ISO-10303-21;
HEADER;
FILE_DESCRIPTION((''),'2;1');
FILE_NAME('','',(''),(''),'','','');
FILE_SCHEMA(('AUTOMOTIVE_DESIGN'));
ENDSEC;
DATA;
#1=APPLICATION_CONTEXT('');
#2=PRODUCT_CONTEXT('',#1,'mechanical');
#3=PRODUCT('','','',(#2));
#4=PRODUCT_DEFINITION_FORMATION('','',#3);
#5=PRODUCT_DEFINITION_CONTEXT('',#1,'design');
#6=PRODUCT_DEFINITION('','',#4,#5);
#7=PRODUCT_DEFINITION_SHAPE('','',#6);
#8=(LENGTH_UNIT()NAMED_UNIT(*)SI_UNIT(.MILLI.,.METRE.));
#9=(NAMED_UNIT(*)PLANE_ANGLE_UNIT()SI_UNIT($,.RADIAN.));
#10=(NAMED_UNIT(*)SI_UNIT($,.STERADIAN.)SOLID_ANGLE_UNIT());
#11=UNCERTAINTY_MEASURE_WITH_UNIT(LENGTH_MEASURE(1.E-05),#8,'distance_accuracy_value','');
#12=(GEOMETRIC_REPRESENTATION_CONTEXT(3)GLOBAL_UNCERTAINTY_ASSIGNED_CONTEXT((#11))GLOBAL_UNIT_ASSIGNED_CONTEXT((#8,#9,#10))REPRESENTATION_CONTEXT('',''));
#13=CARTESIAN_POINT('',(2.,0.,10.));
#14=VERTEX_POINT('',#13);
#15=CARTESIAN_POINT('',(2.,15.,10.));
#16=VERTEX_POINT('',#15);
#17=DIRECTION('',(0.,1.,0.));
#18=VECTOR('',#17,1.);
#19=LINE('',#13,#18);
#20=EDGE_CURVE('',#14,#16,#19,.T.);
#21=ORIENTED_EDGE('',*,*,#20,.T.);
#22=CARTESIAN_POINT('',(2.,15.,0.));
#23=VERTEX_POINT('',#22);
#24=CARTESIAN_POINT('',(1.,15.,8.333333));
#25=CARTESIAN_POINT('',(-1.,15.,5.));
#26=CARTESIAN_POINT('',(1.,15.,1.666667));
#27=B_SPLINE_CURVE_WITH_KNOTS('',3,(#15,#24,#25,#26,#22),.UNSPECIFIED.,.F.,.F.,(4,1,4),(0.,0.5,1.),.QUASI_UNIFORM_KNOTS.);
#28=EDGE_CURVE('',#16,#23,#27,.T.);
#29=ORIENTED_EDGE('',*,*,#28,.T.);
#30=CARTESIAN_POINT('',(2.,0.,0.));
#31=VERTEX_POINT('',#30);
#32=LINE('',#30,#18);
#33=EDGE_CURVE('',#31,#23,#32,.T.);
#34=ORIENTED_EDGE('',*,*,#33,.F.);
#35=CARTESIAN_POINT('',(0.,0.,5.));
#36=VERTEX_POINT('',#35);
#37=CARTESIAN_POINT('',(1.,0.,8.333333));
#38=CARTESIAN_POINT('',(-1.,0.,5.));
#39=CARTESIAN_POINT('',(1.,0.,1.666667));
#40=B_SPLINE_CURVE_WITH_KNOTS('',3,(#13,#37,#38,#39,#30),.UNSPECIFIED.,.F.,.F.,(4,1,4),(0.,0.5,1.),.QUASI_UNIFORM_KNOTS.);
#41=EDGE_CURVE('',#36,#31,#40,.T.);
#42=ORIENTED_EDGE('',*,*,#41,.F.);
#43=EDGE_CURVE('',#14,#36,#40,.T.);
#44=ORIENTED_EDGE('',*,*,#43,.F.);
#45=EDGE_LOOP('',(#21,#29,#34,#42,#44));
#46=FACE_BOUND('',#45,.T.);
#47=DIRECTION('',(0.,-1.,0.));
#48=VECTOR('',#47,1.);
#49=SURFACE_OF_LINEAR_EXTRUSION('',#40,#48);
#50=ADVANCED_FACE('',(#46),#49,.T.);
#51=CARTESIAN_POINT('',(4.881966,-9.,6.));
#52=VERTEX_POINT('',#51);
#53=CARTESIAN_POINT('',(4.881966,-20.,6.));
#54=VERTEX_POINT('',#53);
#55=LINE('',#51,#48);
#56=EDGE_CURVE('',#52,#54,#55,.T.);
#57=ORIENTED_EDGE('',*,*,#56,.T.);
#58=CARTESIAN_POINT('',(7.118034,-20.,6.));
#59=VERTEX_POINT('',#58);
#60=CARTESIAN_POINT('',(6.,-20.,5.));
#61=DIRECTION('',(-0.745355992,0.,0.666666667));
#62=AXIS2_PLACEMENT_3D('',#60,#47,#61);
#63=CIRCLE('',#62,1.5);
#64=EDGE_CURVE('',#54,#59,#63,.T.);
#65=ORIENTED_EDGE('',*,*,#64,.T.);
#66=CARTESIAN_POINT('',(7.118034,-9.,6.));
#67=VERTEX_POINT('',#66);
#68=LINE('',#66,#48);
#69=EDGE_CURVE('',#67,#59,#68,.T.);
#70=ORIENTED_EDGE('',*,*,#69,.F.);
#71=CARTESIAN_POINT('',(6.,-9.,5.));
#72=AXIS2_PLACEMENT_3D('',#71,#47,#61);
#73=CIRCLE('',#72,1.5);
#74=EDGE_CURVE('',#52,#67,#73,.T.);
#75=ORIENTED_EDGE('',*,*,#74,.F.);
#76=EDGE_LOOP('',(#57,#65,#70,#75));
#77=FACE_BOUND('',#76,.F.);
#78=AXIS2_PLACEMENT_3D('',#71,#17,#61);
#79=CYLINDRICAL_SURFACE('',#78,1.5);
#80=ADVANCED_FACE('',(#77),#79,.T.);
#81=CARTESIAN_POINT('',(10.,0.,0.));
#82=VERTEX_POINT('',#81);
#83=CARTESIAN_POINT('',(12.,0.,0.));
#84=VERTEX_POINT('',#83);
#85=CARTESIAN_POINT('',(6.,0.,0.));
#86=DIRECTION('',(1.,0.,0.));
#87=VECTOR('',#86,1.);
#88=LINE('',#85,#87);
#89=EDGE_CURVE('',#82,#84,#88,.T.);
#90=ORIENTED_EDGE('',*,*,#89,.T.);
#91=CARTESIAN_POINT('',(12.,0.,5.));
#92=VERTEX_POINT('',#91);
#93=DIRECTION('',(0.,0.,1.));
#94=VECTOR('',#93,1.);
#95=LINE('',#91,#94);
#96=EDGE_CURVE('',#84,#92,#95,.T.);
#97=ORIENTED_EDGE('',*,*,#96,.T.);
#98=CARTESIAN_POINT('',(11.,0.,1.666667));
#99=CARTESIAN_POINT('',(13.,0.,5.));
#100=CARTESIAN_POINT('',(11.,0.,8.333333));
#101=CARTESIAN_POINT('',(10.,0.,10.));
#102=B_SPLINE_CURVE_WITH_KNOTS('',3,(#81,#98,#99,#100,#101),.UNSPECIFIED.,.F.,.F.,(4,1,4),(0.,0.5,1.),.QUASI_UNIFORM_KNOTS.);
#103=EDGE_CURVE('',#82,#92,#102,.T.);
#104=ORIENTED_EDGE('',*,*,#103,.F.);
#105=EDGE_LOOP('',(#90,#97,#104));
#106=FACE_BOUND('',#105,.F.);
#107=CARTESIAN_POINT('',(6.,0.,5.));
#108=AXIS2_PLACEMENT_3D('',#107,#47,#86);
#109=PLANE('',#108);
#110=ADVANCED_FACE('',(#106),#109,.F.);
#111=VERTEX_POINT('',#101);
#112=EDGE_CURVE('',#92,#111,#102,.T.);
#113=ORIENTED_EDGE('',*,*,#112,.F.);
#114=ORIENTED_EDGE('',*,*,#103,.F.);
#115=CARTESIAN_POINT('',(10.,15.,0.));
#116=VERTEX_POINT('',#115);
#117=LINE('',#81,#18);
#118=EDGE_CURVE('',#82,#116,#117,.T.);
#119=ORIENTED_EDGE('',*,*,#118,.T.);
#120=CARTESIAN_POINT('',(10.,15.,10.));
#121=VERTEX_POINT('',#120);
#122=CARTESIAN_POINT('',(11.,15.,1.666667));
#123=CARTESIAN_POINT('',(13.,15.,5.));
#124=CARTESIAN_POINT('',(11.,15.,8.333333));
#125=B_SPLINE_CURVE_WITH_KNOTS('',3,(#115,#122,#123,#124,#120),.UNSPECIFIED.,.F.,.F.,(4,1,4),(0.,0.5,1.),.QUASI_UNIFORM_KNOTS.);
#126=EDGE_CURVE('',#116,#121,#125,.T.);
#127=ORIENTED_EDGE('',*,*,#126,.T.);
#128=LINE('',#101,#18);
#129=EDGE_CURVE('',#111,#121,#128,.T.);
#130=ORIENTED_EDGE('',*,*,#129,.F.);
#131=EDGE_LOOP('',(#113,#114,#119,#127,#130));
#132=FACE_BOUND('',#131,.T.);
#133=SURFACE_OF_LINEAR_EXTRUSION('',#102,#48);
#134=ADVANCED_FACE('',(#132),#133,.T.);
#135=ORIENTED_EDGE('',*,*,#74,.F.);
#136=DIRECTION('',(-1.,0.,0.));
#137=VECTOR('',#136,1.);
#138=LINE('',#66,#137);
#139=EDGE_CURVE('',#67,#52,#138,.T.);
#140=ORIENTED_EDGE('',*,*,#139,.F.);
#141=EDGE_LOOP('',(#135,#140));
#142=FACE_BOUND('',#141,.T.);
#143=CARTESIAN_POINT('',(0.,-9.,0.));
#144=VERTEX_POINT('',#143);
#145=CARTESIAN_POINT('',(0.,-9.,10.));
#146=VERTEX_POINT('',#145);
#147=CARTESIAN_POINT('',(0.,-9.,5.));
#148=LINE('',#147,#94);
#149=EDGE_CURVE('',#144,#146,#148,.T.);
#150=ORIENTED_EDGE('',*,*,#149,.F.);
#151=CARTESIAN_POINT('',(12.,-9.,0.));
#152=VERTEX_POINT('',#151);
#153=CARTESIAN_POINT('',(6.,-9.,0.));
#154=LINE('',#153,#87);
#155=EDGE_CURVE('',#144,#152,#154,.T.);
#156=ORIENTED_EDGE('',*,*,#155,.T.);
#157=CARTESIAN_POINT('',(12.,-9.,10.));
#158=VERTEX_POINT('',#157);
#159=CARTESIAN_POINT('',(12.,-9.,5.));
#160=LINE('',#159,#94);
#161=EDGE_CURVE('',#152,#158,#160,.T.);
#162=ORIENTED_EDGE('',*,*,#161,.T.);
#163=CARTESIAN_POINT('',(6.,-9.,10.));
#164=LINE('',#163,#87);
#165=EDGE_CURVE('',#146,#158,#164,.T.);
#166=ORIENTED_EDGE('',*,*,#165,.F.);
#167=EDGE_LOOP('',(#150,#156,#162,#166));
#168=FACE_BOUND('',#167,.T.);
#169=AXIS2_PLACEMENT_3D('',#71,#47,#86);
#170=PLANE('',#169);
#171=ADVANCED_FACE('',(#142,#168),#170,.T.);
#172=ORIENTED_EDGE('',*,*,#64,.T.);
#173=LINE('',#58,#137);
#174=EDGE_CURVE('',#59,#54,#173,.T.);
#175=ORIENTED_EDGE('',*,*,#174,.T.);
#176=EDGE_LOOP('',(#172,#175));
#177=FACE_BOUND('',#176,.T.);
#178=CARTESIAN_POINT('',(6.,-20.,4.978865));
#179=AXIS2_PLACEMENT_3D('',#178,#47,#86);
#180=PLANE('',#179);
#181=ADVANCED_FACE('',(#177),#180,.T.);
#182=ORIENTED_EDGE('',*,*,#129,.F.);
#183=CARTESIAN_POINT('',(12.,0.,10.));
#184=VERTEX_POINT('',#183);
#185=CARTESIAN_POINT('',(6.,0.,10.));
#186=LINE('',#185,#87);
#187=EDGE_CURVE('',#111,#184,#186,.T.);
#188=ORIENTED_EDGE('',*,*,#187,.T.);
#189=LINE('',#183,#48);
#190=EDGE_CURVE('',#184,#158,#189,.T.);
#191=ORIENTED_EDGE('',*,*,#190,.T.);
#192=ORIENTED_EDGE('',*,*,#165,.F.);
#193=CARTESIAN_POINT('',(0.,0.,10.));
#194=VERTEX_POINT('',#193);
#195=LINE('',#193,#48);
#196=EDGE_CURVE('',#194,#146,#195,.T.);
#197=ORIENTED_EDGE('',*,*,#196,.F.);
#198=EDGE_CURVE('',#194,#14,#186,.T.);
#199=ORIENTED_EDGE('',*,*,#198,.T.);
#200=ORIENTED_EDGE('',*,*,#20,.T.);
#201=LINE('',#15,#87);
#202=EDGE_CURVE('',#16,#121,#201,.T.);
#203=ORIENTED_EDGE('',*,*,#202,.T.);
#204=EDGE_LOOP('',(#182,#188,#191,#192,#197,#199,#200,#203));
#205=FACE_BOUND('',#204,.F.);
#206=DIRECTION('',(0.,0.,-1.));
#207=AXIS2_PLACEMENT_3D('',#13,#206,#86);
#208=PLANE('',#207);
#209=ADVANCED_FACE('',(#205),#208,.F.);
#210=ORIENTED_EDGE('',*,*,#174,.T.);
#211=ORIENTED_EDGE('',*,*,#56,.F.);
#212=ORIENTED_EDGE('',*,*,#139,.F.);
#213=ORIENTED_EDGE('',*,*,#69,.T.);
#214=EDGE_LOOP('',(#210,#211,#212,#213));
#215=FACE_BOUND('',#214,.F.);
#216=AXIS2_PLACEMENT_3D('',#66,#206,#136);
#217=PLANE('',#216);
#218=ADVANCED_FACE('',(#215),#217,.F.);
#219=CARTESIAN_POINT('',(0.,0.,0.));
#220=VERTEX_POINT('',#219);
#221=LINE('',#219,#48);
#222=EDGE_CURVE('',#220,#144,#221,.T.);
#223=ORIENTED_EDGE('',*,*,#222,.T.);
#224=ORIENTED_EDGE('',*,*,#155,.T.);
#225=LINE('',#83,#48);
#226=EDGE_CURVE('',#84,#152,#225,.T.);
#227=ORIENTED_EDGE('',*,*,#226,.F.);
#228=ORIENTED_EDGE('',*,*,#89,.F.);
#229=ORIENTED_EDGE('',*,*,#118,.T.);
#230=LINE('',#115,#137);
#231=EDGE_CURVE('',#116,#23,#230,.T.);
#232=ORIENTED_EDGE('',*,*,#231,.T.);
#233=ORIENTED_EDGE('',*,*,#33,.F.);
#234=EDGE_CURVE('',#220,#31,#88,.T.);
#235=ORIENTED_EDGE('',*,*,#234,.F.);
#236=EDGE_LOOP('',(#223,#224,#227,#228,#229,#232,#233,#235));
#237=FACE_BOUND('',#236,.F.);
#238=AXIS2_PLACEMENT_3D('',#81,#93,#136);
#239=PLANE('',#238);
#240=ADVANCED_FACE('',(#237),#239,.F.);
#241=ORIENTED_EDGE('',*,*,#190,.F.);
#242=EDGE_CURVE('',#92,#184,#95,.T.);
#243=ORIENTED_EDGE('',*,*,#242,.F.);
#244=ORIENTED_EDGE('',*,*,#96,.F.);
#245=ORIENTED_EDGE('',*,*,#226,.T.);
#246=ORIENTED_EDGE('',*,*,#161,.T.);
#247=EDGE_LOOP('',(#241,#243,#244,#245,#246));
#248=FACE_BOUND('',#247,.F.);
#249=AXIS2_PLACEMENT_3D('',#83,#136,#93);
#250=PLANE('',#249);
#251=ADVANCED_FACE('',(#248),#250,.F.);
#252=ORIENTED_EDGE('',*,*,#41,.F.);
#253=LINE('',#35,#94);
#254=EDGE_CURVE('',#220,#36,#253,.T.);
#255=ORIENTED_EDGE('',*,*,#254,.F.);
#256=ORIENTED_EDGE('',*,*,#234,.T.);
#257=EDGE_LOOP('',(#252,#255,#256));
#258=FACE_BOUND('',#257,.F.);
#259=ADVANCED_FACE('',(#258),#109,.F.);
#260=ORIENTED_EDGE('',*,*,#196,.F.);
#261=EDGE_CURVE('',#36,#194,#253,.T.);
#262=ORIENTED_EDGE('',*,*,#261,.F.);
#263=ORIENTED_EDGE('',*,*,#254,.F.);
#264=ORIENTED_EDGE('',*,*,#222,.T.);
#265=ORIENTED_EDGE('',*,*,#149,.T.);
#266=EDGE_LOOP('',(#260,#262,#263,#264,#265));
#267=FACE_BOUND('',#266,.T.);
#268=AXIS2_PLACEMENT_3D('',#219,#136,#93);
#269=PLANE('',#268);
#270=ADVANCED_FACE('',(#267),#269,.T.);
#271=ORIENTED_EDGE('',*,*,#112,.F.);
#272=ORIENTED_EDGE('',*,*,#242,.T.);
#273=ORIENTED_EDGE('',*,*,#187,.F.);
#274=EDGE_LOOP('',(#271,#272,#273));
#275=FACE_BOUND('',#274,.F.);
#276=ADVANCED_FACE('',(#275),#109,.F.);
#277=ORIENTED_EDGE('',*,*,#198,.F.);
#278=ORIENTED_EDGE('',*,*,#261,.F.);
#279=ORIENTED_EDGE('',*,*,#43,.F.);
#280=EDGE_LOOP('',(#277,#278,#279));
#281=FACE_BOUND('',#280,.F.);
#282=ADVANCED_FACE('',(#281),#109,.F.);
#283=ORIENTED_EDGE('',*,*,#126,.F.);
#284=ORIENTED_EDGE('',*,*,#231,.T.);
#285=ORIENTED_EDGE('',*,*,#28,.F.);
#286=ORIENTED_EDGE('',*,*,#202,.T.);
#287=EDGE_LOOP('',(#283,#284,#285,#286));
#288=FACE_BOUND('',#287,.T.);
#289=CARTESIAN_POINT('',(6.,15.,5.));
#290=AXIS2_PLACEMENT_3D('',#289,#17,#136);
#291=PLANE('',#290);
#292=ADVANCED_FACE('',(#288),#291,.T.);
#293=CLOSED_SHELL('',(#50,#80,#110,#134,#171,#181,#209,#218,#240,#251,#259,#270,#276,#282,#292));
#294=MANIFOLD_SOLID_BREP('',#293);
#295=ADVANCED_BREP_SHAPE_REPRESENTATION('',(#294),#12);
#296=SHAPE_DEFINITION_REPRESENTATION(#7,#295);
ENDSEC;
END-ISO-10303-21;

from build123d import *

# Parameters (mm, degrees)
F0_W     = 12
F0_H     = 10
F1_DEPTH = 9
F3_DEPTH = 15
F5_DEPTH = 11


with BuildPart() as f1:
    # F0 (on Front) → F1 (new body)
    with BuildSketch(Plane.XZ):
        with Locations((6, 5)):
            Rectangle(F0_W, F0_H)
    extrude(amount=F1_DEPTH)

    # F2 (on face) → F3 (join)
    with BuildSketch(Plane(origin=(0, 0, 0), x_dir=(-1, 0, 0), z_dir=(0, 1, 0))):
        with BuildLine():
            Line((-2, 10), (-10, 10))
            add(Edge.make_bspline(
                [(-12, 5), (-12, 6.6666666667), (-11, 8.3333333333), (-10, 10)],
                knots=[0.5, 0.5, 0.5, 0.5, 1, 1, 1, 1], degree=3))
            add(Edge.make_bspline(
                [(-10, 0), (-11, 1.6666666667), (-12, 3.3333333333), (-12, 5)],
                knots=[0, 0, 0, 0, 0.5, 0.5, 0.5, 0.5], degree=3))
            Line((-10, 0), (-2, 0))
            add(Edge.make_bspline(
                [(0, 5), (0, 3.3333333333), (-1, 1.6666666667), (-2, 0)],
                knots=[0.5, 0.5, 0.5, 0.5, 1, 1, 1, 1], degree=3))
            add(Edge.make_bspline(
                [(-2, 10), (-1, 8.3333333333), (0, 6.6666666667), (0, 5)],
                knots=[0, 0, 0, 0, 0.5, 0.5, 0.5, 0.5], degree=3))
        make_face()
    extrude(amount=F3_DEPTH)

    # F4 (on face) → F5 (join)
    with BuildSketch(Plane.XZ.offset(9)):
        with BuildLine():
            Line((6, 6), (4.8819660113, 6))
            ThreePointArc((4.8819660113, 6), (6, 3.5), (7.1180339887, 6))
            Line((7.1180339887, 6), (6, 6))
        make_face()
    extrude(amount=F5_DEPTH)


solid = f1.part
